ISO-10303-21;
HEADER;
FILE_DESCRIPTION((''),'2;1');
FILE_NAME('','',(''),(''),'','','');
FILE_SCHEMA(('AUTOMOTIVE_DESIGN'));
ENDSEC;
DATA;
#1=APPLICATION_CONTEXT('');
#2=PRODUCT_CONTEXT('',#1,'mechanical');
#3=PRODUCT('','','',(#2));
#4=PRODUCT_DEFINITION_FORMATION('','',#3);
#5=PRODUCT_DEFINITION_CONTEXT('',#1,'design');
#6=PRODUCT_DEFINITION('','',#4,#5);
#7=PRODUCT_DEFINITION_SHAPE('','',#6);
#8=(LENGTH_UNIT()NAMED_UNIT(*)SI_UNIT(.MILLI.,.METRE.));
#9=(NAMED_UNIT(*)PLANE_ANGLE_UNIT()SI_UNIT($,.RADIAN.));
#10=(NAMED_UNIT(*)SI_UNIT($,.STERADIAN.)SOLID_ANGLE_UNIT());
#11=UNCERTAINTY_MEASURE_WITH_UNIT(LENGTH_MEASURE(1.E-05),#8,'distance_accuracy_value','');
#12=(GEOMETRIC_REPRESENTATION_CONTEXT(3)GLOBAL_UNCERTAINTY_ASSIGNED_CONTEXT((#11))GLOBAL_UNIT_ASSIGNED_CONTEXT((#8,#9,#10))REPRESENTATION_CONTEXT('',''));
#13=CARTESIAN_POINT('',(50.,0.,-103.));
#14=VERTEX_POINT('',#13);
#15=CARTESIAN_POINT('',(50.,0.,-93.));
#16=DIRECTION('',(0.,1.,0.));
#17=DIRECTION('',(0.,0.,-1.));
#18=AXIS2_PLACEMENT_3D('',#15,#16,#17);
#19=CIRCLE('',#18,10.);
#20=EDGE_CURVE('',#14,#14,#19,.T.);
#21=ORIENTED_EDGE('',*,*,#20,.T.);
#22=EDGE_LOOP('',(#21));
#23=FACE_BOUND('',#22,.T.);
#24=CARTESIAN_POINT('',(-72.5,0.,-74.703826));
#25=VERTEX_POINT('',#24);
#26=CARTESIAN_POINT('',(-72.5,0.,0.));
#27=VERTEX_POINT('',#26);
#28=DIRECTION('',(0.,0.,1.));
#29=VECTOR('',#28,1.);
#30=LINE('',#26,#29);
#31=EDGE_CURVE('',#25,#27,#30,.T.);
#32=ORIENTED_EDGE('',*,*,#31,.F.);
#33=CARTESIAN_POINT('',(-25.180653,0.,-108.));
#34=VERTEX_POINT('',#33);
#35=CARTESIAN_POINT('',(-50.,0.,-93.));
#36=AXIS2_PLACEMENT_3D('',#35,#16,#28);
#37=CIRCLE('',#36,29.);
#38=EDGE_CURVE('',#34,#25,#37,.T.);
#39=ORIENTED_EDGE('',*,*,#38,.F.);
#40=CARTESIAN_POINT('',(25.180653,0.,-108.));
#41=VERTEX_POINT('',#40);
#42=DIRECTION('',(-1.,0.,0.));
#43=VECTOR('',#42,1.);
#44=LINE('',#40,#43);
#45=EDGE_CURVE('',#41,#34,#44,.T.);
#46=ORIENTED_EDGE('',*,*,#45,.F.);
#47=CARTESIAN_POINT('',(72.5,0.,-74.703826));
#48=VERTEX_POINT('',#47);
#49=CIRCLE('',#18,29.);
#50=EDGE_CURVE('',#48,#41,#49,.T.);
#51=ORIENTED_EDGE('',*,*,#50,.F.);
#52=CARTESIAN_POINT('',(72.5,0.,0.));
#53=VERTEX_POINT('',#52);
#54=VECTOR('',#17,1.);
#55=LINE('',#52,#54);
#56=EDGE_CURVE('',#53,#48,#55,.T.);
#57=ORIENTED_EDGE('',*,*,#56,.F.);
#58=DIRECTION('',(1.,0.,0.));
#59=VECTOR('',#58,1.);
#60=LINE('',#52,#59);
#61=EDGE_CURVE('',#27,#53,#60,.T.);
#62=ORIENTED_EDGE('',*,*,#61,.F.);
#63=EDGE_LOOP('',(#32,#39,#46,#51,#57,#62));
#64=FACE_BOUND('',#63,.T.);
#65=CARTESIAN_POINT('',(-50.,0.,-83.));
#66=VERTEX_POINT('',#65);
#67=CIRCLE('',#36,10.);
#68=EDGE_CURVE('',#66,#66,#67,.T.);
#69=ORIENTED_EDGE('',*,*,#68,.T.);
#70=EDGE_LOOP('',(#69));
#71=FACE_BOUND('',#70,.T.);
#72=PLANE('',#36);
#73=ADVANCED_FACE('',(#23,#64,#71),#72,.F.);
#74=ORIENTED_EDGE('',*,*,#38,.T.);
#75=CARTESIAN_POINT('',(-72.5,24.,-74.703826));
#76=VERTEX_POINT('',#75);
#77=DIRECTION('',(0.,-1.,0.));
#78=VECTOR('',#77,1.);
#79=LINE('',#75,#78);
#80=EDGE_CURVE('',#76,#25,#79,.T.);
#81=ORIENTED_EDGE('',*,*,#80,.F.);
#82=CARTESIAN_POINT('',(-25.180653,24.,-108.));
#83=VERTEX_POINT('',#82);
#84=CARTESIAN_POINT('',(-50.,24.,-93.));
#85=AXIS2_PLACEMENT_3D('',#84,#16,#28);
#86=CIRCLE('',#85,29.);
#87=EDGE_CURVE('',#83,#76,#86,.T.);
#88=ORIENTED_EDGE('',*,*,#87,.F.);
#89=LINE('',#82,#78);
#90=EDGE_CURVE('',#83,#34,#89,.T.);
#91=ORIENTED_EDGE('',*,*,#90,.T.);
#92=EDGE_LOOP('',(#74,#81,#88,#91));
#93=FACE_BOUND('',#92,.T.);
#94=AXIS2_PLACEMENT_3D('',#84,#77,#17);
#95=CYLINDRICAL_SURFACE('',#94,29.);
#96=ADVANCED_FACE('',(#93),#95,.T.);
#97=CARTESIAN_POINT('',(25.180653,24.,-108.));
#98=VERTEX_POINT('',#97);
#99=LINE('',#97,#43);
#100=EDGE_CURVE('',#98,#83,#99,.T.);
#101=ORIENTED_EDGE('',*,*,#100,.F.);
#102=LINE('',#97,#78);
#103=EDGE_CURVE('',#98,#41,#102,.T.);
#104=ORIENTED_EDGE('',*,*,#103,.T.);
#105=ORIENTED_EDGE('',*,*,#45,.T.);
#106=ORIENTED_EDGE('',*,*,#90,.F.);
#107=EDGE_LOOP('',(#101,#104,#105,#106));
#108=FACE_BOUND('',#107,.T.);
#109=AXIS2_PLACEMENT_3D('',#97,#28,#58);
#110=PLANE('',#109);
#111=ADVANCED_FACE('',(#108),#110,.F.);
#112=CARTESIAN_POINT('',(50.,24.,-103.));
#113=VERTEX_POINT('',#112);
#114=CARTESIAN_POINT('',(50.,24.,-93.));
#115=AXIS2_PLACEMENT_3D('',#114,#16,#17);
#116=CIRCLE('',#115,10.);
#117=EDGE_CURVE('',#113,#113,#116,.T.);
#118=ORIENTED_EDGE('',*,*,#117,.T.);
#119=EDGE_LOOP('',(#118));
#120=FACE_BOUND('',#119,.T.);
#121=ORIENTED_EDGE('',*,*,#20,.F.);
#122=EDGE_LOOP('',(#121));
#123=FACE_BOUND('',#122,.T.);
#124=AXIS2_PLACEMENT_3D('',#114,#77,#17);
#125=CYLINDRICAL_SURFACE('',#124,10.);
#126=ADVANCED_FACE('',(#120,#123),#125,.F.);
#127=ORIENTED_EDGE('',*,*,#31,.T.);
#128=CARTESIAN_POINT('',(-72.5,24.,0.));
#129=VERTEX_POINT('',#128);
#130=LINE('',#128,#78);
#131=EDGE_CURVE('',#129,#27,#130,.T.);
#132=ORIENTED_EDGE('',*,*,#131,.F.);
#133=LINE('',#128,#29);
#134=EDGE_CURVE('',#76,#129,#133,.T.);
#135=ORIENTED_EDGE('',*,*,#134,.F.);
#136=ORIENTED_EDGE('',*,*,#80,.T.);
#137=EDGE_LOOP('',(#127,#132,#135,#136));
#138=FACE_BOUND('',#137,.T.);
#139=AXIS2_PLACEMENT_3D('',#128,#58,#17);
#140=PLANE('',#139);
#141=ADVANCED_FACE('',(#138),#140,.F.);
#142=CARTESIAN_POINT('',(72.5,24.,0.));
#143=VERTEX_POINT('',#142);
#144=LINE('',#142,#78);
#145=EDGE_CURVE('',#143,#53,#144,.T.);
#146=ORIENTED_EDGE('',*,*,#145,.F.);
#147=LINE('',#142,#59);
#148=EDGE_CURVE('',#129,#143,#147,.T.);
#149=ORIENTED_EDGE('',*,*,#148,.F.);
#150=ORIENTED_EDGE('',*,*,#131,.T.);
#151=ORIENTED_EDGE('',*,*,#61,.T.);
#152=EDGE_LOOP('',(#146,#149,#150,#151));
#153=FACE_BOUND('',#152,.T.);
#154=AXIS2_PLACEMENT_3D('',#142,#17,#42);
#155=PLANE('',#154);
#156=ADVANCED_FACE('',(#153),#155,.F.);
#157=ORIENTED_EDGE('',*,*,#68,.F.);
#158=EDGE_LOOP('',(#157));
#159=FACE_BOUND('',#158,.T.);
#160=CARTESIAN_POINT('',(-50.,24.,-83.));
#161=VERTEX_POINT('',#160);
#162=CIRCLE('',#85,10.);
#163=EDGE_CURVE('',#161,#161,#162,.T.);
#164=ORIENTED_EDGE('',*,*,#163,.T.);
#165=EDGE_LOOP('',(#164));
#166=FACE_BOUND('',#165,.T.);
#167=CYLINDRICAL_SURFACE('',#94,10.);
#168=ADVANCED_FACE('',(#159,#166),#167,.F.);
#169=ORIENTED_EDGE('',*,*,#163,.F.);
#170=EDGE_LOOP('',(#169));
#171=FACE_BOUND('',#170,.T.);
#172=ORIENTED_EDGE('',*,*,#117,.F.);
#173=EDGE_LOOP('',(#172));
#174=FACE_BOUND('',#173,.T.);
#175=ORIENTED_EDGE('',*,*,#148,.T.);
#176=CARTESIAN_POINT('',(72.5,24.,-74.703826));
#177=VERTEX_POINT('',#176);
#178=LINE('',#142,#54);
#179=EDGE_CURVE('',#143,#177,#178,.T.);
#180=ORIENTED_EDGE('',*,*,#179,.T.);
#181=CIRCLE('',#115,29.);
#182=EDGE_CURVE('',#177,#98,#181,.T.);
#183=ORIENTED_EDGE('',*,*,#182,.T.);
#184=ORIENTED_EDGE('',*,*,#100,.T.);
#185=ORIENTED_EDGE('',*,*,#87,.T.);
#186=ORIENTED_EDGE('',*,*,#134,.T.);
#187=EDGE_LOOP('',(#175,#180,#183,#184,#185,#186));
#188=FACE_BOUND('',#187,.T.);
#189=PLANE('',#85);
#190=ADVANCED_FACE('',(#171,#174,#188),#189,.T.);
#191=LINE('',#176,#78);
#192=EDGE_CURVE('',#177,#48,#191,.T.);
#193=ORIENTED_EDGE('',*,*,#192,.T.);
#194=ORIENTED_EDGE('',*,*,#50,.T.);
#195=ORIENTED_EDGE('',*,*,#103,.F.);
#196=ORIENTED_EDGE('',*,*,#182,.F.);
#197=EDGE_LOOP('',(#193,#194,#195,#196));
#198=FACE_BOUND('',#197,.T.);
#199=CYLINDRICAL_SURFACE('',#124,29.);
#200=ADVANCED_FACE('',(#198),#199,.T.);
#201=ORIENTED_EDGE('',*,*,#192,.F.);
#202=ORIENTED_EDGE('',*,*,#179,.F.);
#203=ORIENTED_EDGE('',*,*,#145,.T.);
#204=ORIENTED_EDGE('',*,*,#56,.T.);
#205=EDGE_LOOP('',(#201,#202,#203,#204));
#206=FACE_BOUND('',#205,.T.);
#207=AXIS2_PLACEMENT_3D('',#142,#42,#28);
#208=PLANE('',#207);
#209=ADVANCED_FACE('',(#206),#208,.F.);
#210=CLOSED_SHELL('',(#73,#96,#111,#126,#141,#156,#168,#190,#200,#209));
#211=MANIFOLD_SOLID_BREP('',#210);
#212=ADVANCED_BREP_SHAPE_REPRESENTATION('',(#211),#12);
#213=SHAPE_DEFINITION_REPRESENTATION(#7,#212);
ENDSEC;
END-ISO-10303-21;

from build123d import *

# Parameters (mm, degrees)
SKETCH1_R           = 10
BOSS_EXTRUDE1_DEPTH = 24


with BuildPart() as part:
    # Sketch1 → Boss-Extrude1 (new body)
    with BuildSketch(Plane(origin=(0, 0, 0), x_dir=(1, 0, 0), z_dir=(0, 1, 0))):
        with BuildLine():
            Line((72.5, 0), (-72.5, 0))
            Line((-72.5, 0), (-72.5, 74.703825536))
            ThreePointArc((-72.5, 74.703825536), (-66.688428669, 116.717005472), (-25.180652708, 108))
            Line((-25.180652708, 108), (25.180652708, 108))
            ThreePointArc((25.180652708, 108), (66.688428669, 116.717005472), (72.5, 74.703825536))
            Line((72.5, 74.703825536), (72.5, 0))
        make_face()
        with Locations((-50, 93)):
            Circle(SKETCH1_R, mode=Mode.SUBTRACT)
        with Locations((50, 93)):
            Circle(SKETCH1_R, mode=Mode.SUBTRACT)
    extrude(amount=BOSS_EXTRUDE1_DEPTH)


solid = part.part
